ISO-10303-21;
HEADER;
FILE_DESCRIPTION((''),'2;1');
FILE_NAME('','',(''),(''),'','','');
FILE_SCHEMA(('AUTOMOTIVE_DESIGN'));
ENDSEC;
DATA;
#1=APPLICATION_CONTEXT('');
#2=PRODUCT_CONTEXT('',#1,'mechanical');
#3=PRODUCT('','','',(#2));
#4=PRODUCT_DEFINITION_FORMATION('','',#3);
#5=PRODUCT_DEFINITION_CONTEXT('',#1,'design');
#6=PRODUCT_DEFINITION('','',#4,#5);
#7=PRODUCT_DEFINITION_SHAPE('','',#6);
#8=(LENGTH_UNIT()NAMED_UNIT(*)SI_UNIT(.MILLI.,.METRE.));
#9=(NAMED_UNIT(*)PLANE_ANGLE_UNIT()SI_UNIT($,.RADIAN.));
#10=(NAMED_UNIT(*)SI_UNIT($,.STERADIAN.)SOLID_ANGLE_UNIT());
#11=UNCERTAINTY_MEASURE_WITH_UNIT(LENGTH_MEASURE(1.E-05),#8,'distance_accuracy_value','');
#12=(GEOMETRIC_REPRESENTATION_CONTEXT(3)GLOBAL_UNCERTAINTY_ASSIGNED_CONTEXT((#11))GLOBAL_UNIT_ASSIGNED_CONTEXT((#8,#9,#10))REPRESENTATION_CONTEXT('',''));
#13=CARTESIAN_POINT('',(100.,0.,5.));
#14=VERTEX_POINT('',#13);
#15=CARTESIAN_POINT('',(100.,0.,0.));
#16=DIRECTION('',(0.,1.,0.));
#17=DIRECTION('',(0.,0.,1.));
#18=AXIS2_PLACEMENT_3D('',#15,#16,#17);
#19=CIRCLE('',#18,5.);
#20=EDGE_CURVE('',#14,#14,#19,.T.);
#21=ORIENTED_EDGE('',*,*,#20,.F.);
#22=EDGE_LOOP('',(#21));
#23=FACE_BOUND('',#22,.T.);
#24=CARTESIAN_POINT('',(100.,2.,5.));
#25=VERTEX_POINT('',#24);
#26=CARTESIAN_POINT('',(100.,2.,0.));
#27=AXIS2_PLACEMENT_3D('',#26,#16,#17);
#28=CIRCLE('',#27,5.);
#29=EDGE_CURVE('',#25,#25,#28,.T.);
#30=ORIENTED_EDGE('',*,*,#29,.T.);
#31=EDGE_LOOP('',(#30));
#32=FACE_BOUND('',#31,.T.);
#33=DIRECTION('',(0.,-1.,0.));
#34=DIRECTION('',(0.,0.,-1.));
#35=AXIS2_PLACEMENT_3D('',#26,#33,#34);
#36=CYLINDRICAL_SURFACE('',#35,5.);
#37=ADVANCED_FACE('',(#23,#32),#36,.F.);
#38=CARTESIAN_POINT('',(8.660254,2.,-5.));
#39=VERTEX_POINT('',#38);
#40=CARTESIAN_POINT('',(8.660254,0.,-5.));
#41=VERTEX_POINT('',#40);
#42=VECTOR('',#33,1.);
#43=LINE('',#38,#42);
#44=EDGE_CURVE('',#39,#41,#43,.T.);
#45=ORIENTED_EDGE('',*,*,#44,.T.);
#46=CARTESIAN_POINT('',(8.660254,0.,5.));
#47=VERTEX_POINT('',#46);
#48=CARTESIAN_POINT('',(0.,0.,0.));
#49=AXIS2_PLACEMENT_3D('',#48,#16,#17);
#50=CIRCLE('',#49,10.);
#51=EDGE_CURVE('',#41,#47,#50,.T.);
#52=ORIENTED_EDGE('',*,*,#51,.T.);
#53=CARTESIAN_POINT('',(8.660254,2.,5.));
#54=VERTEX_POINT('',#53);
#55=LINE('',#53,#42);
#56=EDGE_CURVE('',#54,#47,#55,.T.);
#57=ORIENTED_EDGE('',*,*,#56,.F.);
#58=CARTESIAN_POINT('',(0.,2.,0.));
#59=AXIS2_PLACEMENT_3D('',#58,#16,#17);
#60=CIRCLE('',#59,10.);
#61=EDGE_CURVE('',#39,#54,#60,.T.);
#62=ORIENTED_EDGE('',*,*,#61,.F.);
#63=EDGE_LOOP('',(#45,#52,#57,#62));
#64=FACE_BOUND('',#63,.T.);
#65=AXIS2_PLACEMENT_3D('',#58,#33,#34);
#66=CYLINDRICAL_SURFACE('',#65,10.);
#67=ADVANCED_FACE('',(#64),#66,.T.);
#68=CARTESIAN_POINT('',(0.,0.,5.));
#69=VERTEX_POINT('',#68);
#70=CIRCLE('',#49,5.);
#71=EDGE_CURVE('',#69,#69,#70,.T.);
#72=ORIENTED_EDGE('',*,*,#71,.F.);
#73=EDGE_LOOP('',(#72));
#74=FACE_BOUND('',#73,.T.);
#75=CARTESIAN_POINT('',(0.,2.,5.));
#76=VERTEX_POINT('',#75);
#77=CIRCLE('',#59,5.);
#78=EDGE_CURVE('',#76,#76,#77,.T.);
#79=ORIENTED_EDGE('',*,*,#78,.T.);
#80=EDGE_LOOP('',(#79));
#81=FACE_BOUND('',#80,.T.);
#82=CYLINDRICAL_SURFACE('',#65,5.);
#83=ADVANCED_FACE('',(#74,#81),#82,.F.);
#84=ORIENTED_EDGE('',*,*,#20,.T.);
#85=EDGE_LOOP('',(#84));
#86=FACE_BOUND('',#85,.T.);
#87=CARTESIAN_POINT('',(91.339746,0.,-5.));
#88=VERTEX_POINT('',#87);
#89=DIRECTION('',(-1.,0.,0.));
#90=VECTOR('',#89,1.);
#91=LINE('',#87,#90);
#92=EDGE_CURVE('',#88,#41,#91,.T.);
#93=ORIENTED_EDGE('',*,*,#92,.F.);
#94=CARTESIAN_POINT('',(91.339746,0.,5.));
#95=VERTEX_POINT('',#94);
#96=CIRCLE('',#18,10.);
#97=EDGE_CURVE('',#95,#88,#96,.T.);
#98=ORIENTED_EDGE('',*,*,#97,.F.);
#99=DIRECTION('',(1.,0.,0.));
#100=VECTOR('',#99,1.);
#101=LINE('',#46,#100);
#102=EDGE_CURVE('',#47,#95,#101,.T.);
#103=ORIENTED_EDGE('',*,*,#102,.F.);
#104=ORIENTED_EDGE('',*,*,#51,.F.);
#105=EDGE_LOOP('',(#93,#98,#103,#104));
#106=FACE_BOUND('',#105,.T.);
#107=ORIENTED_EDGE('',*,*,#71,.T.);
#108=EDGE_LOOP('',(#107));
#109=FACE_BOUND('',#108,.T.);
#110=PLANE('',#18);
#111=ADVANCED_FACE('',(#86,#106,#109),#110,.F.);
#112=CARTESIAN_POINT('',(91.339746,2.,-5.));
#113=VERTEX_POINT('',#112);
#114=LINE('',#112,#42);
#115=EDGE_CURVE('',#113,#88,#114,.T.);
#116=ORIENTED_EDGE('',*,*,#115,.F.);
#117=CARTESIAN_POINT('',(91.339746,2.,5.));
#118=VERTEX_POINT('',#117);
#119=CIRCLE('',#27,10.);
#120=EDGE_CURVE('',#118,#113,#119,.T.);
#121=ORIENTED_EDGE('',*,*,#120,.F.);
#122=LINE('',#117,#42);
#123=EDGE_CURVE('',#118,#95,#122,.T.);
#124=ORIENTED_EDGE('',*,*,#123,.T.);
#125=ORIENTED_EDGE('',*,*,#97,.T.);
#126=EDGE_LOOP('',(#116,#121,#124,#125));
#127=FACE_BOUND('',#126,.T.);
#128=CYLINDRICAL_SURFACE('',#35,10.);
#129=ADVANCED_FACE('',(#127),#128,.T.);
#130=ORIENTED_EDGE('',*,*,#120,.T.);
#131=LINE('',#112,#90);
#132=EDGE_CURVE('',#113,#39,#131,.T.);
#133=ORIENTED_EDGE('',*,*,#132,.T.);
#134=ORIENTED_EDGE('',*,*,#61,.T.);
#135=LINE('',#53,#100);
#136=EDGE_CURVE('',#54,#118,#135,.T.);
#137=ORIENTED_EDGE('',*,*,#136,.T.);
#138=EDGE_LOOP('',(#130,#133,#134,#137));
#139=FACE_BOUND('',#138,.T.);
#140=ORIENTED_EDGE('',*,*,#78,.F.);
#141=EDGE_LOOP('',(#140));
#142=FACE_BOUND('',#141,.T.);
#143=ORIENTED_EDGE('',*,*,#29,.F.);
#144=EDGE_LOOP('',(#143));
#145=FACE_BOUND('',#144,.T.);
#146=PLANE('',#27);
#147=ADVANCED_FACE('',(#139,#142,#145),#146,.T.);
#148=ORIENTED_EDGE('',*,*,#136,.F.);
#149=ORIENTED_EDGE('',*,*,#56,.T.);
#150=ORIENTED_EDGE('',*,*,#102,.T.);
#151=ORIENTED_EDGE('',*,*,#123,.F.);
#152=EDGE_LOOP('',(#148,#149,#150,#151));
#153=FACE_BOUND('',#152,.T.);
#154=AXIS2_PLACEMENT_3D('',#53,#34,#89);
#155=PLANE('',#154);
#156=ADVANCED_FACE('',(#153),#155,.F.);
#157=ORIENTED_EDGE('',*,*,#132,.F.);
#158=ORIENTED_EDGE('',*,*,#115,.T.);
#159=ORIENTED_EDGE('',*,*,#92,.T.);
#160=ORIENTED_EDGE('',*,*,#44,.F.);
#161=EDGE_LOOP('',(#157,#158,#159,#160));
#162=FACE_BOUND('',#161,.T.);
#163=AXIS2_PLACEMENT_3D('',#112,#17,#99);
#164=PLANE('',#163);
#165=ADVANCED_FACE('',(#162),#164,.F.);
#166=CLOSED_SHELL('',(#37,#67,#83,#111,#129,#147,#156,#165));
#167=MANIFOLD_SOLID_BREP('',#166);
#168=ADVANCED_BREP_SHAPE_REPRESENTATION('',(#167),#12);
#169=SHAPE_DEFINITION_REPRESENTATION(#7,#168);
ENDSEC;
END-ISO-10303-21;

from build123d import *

# Parameters (mm, degrees)
SKETCH_5_R      = 5
EXTRUDE_1_DEPTH = 2


with BuildPart() as part:
    # 草圖5 → 填料-伸長1 (new body)
    with BuildSketch(Plane(origin=(0, 0, 0), x_dir=(1, 0, 0), z_dir=(0, 1, 0))):
        with BuildLine():
            Line((8.660254038, -5), (91.339745962, -5))
            ThreePointArc((91.339745962, -5), (110, 0), (91.339745962, 5))
            Line((91.339745962, 5), (8.660254038, 5))
            ThreePointArc((8.660254038, 5), (-10, 0), (8.660254038, -5))
        make_face()
        Circle(SKETCH_5_R, mode=Mode.SUBTRACT)
        with Locations((100, 0)):
            Circle(SKETCH_5_R, mode=Mode.SUBTRACT)
    extrude(amount=EXTRUDE_1_DEPTH)


solid = part.part
